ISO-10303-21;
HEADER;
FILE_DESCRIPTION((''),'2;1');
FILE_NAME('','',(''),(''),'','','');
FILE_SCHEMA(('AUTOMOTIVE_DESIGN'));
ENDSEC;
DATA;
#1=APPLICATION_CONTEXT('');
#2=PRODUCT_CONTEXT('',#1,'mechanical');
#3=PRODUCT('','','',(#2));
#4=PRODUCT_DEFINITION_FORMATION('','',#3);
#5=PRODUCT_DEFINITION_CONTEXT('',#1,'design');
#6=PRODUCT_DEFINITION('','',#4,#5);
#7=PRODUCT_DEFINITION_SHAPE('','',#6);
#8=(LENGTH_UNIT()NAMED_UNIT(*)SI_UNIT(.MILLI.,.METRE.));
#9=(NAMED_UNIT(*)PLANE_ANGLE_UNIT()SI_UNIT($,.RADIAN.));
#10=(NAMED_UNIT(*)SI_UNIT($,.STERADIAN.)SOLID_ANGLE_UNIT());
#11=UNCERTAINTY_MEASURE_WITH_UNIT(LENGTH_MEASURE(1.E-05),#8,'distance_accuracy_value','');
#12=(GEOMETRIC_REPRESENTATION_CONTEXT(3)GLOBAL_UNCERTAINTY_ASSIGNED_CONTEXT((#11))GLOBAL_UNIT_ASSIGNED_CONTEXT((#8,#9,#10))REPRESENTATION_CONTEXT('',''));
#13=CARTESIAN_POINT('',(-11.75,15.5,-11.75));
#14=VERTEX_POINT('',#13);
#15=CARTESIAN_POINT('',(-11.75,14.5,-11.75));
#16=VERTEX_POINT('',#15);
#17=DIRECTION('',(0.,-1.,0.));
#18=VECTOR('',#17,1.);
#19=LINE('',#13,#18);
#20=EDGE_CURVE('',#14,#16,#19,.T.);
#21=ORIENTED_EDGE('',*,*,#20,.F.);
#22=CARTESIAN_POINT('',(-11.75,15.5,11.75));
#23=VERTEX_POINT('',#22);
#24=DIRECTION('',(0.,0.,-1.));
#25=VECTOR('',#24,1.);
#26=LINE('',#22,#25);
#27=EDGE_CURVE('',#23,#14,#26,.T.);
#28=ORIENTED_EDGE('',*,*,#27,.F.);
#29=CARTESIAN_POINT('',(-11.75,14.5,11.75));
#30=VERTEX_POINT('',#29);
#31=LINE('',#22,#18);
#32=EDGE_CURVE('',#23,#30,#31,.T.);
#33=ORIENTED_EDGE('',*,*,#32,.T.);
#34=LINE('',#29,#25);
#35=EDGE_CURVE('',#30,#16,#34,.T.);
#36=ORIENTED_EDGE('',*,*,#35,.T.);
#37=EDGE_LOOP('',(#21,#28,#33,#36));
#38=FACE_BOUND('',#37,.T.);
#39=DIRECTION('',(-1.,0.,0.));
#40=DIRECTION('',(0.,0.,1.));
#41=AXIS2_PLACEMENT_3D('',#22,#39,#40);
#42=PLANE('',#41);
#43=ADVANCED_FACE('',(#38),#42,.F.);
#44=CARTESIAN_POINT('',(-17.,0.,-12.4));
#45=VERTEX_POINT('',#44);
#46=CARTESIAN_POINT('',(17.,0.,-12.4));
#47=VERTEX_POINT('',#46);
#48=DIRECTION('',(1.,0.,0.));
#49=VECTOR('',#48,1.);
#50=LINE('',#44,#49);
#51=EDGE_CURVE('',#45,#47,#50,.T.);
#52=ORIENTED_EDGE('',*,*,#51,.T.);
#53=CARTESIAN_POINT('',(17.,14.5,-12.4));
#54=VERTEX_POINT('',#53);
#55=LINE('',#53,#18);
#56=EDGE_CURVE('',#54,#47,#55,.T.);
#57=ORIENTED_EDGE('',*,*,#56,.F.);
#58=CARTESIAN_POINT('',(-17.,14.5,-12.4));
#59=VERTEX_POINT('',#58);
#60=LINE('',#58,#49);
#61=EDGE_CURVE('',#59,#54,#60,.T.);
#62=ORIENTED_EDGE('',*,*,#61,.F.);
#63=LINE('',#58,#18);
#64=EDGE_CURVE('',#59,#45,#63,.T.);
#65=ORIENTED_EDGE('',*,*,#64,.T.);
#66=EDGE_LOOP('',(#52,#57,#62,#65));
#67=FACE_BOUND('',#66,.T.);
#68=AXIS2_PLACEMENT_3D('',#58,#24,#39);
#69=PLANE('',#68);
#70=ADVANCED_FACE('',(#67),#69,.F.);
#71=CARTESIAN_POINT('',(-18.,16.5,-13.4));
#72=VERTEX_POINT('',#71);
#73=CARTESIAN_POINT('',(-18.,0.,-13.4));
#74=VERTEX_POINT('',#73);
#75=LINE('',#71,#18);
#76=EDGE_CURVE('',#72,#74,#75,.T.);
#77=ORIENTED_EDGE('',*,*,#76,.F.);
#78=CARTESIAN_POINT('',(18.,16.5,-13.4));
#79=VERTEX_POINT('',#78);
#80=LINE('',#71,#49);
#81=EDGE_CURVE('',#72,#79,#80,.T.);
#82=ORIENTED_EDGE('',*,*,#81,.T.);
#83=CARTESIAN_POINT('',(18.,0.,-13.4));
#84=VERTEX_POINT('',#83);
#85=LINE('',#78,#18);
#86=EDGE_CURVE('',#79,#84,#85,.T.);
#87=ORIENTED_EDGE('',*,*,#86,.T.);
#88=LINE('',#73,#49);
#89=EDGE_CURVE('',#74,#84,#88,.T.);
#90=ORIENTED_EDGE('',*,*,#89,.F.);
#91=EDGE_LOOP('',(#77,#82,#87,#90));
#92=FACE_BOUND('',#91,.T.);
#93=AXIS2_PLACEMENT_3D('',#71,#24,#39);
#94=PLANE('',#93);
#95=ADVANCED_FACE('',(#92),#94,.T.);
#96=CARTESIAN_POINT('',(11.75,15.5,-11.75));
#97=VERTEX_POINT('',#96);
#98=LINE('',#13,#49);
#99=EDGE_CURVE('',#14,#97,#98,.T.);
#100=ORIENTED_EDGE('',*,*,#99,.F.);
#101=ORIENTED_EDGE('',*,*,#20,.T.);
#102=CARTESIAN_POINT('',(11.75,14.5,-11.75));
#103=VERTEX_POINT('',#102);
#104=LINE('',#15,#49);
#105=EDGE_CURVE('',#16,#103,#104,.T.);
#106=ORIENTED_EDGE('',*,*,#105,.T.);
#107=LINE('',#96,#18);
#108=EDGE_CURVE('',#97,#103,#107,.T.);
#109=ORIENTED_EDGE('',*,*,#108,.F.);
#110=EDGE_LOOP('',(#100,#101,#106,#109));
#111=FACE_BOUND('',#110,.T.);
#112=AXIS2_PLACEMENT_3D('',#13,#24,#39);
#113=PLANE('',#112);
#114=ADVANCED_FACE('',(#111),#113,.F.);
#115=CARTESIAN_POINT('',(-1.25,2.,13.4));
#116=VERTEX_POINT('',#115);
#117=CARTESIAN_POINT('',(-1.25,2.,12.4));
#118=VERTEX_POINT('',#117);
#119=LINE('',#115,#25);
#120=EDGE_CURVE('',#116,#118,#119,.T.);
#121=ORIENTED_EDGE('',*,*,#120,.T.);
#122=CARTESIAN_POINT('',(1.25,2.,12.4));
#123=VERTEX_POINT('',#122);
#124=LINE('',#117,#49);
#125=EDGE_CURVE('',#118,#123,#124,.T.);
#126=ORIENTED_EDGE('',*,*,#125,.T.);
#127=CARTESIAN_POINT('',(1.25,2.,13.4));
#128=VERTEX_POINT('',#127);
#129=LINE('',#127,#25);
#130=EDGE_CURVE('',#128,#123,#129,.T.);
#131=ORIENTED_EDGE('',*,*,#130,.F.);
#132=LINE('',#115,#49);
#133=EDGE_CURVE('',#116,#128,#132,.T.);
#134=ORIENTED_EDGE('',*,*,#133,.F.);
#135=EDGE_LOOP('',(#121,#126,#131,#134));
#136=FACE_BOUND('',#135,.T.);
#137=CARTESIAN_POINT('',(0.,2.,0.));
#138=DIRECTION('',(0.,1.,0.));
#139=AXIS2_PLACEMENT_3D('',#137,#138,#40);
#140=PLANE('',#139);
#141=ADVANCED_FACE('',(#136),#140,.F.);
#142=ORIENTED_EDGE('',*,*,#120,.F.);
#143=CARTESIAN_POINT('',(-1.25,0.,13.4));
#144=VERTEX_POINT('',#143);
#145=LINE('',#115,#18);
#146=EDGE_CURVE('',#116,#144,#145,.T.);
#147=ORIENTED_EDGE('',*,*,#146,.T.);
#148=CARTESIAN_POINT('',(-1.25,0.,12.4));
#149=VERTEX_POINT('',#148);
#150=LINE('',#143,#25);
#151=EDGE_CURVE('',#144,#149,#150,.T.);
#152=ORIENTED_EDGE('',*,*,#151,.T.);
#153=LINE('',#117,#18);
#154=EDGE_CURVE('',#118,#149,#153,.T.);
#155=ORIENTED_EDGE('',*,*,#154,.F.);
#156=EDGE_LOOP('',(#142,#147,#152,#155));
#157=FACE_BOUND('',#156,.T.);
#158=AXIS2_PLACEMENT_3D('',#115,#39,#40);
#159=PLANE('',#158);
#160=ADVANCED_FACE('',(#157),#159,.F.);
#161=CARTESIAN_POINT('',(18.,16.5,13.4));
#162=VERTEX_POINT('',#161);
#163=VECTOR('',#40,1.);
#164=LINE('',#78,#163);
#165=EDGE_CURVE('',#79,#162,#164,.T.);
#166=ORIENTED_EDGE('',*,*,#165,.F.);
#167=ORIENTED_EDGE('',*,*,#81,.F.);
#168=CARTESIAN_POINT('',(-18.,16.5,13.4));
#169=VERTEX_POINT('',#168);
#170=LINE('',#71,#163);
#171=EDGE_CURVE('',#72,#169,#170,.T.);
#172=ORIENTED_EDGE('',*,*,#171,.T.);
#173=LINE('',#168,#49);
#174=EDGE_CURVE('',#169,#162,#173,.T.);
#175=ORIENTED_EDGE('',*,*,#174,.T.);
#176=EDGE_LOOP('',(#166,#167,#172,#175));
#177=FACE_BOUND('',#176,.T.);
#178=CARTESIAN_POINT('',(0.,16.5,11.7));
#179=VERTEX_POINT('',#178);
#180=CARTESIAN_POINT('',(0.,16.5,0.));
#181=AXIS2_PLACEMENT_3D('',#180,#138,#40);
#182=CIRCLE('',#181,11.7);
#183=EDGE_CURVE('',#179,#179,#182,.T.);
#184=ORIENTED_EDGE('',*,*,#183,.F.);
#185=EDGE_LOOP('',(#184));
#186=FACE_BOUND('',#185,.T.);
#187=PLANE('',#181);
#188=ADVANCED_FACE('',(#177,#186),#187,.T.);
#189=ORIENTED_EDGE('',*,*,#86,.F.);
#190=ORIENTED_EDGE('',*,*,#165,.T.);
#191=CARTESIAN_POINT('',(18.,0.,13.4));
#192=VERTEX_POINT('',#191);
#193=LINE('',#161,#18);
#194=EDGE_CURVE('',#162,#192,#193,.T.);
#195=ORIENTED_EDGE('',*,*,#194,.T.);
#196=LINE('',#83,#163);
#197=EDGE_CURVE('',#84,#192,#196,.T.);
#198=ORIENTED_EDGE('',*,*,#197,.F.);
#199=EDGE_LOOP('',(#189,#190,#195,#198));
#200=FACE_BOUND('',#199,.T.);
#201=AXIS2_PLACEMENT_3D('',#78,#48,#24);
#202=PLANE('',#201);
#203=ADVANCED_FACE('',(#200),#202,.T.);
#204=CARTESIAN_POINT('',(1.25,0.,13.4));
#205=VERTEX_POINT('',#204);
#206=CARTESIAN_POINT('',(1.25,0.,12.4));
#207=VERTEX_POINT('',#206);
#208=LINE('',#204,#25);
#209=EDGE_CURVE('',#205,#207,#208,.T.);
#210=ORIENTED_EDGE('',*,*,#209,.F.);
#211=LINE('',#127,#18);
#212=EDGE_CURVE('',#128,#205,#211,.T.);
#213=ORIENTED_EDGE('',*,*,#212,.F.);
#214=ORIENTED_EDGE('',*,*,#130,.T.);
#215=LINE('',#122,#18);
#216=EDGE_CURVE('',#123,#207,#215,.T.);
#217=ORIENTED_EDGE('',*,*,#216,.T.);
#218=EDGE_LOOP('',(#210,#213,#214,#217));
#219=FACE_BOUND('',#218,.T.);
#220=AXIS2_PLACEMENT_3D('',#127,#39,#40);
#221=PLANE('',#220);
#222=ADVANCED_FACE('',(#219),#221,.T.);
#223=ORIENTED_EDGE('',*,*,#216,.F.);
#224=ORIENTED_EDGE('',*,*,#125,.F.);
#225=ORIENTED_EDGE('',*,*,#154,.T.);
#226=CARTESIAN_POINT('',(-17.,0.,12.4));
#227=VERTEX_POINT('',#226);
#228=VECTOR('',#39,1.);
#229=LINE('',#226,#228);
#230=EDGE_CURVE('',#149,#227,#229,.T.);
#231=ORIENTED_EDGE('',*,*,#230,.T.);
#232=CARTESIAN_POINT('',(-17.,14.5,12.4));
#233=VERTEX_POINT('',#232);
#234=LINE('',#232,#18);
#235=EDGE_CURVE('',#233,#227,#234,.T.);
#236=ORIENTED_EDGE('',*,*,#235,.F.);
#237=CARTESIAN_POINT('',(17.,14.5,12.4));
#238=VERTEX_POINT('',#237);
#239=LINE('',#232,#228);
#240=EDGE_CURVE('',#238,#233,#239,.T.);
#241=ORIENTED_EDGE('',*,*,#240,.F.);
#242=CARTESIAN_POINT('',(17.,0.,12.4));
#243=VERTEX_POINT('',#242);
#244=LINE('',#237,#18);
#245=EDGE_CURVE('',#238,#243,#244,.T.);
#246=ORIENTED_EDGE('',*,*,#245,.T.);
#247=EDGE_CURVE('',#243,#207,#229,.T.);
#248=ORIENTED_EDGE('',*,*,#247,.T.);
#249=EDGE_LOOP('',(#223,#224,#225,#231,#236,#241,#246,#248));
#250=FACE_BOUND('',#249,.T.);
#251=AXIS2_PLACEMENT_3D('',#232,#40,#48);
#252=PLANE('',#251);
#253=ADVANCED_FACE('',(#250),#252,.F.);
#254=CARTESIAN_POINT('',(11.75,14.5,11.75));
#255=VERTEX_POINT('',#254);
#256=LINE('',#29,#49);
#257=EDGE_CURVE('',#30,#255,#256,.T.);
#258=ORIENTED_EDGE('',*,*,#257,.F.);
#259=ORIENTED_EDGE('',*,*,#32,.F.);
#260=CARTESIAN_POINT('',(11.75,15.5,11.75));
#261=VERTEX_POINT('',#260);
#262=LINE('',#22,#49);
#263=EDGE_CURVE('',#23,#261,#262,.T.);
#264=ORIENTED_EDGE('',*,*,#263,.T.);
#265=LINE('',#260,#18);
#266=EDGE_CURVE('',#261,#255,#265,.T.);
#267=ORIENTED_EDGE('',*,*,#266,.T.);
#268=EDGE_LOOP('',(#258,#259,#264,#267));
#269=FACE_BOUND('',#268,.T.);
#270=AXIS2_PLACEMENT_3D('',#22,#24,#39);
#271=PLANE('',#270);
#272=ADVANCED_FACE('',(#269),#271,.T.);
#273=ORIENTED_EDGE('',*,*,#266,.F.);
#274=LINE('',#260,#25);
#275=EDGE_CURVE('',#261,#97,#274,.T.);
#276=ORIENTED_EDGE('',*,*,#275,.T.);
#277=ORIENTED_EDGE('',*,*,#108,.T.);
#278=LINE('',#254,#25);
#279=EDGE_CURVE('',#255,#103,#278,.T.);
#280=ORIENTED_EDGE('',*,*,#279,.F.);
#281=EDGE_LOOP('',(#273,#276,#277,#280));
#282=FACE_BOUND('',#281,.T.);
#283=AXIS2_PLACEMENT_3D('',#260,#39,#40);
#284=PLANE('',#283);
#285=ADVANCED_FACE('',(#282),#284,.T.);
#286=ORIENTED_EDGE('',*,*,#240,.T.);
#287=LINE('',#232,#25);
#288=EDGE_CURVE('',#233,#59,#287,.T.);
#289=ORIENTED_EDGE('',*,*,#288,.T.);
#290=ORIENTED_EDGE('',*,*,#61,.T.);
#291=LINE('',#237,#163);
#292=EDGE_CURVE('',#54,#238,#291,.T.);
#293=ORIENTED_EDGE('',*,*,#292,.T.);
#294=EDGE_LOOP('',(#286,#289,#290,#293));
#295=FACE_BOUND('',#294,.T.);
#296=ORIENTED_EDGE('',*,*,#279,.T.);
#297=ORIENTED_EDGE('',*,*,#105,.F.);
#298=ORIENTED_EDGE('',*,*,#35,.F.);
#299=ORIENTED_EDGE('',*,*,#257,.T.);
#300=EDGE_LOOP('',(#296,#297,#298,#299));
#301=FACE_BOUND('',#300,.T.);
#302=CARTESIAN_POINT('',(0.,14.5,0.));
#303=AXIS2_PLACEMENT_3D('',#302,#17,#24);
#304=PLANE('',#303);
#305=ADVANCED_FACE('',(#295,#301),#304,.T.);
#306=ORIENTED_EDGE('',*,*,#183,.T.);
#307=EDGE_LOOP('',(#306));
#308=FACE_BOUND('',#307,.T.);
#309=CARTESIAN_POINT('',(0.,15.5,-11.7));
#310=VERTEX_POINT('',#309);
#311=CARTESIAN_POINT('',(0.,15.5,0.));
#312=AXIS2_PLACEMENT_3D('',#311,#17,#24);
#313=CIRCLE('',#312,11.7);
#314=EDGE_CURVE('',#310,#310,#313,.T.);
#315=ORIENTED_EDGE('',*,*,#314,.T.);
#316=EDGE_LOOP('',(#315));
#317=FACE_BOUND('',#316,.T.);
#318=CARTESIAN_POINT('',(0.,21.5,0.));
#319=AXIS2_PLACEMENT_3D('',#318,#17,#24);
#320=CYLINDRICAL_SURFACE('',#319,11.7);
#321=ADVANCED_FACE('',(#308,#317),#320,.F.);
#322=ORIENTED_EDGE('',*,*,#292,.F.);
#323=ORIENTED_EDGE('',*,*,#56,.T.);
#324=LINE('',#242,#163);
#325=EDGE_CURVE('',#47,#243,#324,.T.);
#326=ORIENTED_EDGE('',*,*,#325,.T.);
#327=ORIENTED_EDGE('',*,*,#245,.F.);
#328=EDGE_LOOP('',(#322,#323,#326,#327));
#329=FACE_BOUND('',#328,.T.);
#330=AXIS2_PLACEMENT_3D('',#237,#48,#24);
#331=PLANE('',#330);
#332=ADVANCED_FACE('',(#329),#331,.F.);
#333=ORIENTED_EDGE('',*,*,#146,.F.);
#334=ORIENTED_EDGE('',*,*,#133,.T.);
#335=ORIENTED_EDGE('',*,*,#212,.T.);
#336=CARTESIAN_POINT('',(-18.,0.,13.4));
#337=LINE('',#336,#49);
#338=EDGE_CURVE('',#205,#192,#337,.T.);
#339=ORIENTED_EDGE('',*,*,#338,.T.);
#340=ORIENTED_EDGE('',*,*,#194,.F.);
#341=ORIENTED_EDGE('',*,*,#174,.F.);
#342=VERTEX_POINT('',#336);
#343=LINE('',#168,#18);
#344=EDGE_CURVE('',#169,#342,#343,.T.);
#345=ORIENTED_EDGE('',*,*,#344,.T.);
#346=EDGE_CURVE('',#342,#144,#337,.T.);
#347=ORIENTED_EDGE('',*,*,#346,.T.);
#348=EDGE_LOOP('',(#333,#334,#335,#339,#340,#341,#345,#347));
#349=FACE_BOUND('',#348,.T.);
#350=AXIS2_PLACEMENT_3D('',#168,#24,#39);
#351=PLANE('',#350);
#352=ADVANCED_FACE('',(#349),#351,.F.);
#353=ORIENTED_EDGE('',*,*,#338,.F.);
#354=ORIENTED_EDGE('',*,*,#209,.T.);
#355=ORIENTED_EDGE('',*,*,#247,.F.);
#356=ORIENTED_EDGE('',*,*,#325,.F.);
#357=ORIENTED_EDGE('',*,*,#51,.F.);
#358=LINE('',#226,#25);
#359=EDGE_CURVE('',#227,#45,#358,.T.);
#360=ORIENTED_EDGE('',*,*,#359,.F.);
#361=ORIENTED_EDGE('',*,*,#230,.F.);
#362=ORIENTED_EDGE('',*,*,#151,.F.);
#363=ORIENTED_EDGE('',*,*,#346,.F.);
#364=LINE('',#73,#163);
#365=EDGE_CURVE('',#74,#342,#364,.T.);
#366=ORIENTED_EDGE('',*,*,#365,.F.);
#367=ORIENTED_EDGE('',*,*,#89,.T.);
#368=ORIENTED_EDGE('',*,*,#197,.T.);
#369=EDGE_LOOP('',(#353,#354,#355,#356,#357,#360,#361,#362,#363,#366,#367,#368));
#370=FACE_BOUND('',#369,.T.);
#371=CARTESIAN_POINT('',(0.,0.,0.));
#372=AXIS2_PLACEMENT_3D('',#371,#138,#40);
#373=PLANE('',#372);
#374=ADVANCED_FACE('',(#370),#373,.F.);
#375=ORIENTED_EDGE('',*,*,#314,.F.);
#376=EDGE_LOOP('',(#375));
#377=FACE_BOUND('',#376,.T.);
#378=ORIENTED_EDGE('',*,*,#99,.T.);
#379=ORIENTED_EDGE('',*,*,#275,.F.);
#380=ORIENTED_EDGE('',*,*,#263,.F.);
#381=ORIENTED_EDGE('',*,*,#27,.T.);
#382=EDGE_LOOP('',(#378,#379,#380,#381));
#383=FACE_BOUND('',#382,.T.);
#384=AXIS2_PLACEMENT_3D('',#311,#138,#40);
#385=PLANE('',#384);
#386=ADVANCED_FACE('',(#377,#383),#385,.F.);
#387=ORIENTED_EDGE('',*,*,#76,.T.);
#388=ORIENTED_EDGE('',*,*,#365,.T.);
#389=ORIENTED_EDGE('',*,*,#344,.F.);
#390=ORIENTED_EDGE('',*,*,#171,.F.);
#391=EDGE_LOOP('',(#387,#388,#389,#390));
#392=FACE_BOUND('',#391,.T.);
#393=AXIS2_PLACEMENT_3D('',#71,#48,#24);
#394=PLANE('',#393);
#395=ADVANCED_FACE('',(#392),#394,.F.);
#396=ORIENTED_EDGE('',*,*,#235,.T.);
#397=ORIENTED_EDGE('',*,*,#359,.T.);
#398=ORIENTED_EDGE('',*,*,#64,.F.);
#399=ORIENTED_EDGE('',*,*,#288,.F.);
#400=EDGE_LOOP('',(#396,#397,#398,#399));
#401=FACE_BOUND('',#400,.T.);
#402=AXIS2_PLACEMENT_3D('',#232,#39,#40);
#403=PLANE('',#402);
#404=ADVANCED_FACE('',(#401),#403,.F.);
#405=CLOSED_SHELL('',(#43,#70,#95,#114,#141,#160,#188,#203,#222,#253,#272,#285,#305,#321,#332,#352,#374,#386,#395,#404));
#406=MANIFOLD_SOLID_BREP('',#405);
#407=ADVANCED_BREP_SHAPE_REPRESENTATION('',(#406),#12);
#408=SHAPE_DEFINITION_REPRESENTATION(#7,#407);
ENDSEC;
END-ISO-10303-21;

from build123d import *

# Parameters (mm, degrees)
SKETCH_190_W        = 36
SKETCH_190_H        = 26.8
EXTRUDE_1_DEPTH     = 16.5
SKETCH_353_W        = 34
SKETCH_353_H        = 24.8
CUT_EXTRUDE_1_DEPTH = 14.5
SKETCH_4_W          = 23.5
SKETCH_4_H          = 23.5
CUT_EXTRUDE_2_DEPTH = 1
SKETCH_5_R          = 11.7
CUT_EXTRUDE_3_DEPTH = 6
SKETCH_11_W         = 2.5
SKETCH_11_H         = 1
CUT_EXTRUDE_6_DEPTH = 2


with BuildPart() as part:
    # Sketch 190 → 凸台-拉伸1 (new body)
    with BuildSketch(Plane(origin=(0, 0, 0), x_dir=(1, 0, 0), z_dir=(0, 1, 0))):
        Rectangle(SKETCH_190_W, SKETCH_190_H)
    extrude(amount=EXTRUDE_1_DEPTH)

    # Sketch 353 → 切除-拉伸1 (cut)
    with BuildSketch(Plane(origin=(0, 0, 0), x_dir=(-1, 0, 0), z_dir=(0, -1, 0))):
        Rectangle(SKETCH_353_W, SKETCH_353_H)
    extrude(amount=-CUT_EXTRUDE_1_DEPTH, mode=Mode.SUBTRACT)

    # 草图4 → 切除-拉伸2 (cut)
    with BuildSketch(Plane.XZ.offset(-14.5)):
        Rectangle(SKETCH_4_W, SKETCH_4_H)
    extrude(amount=-CUT_EXTRUDE_2_DEPTH, mode=Mode.SUBTRACT)

    # 草图5 → 切除-拉伸3 (cut)
    with BuildSketch(Plane.XZ.offset(-15.5)):
        Circle(SKETCH_5_R)
    extrude(amount=-CUT_EXTRUDE_3_DEPTH, mode=Mode.SUBTRACT)

    # 草图11 → 切除-拉伸6 (cut)
    with BuildSketch(Plane(origin=(0, 0, 0), x_dir=(-1, 0, 0), z_dir=(0, -1, 0))):
        with Locations((0, -12.9)):
            Rectangle(SKETCH_11_W, SKETCH_11_H)
    extrude(amount=-CUT_EXTRUDE_6_DEPTH, mode=Mode.SUBTRACT)


solid = part.part
